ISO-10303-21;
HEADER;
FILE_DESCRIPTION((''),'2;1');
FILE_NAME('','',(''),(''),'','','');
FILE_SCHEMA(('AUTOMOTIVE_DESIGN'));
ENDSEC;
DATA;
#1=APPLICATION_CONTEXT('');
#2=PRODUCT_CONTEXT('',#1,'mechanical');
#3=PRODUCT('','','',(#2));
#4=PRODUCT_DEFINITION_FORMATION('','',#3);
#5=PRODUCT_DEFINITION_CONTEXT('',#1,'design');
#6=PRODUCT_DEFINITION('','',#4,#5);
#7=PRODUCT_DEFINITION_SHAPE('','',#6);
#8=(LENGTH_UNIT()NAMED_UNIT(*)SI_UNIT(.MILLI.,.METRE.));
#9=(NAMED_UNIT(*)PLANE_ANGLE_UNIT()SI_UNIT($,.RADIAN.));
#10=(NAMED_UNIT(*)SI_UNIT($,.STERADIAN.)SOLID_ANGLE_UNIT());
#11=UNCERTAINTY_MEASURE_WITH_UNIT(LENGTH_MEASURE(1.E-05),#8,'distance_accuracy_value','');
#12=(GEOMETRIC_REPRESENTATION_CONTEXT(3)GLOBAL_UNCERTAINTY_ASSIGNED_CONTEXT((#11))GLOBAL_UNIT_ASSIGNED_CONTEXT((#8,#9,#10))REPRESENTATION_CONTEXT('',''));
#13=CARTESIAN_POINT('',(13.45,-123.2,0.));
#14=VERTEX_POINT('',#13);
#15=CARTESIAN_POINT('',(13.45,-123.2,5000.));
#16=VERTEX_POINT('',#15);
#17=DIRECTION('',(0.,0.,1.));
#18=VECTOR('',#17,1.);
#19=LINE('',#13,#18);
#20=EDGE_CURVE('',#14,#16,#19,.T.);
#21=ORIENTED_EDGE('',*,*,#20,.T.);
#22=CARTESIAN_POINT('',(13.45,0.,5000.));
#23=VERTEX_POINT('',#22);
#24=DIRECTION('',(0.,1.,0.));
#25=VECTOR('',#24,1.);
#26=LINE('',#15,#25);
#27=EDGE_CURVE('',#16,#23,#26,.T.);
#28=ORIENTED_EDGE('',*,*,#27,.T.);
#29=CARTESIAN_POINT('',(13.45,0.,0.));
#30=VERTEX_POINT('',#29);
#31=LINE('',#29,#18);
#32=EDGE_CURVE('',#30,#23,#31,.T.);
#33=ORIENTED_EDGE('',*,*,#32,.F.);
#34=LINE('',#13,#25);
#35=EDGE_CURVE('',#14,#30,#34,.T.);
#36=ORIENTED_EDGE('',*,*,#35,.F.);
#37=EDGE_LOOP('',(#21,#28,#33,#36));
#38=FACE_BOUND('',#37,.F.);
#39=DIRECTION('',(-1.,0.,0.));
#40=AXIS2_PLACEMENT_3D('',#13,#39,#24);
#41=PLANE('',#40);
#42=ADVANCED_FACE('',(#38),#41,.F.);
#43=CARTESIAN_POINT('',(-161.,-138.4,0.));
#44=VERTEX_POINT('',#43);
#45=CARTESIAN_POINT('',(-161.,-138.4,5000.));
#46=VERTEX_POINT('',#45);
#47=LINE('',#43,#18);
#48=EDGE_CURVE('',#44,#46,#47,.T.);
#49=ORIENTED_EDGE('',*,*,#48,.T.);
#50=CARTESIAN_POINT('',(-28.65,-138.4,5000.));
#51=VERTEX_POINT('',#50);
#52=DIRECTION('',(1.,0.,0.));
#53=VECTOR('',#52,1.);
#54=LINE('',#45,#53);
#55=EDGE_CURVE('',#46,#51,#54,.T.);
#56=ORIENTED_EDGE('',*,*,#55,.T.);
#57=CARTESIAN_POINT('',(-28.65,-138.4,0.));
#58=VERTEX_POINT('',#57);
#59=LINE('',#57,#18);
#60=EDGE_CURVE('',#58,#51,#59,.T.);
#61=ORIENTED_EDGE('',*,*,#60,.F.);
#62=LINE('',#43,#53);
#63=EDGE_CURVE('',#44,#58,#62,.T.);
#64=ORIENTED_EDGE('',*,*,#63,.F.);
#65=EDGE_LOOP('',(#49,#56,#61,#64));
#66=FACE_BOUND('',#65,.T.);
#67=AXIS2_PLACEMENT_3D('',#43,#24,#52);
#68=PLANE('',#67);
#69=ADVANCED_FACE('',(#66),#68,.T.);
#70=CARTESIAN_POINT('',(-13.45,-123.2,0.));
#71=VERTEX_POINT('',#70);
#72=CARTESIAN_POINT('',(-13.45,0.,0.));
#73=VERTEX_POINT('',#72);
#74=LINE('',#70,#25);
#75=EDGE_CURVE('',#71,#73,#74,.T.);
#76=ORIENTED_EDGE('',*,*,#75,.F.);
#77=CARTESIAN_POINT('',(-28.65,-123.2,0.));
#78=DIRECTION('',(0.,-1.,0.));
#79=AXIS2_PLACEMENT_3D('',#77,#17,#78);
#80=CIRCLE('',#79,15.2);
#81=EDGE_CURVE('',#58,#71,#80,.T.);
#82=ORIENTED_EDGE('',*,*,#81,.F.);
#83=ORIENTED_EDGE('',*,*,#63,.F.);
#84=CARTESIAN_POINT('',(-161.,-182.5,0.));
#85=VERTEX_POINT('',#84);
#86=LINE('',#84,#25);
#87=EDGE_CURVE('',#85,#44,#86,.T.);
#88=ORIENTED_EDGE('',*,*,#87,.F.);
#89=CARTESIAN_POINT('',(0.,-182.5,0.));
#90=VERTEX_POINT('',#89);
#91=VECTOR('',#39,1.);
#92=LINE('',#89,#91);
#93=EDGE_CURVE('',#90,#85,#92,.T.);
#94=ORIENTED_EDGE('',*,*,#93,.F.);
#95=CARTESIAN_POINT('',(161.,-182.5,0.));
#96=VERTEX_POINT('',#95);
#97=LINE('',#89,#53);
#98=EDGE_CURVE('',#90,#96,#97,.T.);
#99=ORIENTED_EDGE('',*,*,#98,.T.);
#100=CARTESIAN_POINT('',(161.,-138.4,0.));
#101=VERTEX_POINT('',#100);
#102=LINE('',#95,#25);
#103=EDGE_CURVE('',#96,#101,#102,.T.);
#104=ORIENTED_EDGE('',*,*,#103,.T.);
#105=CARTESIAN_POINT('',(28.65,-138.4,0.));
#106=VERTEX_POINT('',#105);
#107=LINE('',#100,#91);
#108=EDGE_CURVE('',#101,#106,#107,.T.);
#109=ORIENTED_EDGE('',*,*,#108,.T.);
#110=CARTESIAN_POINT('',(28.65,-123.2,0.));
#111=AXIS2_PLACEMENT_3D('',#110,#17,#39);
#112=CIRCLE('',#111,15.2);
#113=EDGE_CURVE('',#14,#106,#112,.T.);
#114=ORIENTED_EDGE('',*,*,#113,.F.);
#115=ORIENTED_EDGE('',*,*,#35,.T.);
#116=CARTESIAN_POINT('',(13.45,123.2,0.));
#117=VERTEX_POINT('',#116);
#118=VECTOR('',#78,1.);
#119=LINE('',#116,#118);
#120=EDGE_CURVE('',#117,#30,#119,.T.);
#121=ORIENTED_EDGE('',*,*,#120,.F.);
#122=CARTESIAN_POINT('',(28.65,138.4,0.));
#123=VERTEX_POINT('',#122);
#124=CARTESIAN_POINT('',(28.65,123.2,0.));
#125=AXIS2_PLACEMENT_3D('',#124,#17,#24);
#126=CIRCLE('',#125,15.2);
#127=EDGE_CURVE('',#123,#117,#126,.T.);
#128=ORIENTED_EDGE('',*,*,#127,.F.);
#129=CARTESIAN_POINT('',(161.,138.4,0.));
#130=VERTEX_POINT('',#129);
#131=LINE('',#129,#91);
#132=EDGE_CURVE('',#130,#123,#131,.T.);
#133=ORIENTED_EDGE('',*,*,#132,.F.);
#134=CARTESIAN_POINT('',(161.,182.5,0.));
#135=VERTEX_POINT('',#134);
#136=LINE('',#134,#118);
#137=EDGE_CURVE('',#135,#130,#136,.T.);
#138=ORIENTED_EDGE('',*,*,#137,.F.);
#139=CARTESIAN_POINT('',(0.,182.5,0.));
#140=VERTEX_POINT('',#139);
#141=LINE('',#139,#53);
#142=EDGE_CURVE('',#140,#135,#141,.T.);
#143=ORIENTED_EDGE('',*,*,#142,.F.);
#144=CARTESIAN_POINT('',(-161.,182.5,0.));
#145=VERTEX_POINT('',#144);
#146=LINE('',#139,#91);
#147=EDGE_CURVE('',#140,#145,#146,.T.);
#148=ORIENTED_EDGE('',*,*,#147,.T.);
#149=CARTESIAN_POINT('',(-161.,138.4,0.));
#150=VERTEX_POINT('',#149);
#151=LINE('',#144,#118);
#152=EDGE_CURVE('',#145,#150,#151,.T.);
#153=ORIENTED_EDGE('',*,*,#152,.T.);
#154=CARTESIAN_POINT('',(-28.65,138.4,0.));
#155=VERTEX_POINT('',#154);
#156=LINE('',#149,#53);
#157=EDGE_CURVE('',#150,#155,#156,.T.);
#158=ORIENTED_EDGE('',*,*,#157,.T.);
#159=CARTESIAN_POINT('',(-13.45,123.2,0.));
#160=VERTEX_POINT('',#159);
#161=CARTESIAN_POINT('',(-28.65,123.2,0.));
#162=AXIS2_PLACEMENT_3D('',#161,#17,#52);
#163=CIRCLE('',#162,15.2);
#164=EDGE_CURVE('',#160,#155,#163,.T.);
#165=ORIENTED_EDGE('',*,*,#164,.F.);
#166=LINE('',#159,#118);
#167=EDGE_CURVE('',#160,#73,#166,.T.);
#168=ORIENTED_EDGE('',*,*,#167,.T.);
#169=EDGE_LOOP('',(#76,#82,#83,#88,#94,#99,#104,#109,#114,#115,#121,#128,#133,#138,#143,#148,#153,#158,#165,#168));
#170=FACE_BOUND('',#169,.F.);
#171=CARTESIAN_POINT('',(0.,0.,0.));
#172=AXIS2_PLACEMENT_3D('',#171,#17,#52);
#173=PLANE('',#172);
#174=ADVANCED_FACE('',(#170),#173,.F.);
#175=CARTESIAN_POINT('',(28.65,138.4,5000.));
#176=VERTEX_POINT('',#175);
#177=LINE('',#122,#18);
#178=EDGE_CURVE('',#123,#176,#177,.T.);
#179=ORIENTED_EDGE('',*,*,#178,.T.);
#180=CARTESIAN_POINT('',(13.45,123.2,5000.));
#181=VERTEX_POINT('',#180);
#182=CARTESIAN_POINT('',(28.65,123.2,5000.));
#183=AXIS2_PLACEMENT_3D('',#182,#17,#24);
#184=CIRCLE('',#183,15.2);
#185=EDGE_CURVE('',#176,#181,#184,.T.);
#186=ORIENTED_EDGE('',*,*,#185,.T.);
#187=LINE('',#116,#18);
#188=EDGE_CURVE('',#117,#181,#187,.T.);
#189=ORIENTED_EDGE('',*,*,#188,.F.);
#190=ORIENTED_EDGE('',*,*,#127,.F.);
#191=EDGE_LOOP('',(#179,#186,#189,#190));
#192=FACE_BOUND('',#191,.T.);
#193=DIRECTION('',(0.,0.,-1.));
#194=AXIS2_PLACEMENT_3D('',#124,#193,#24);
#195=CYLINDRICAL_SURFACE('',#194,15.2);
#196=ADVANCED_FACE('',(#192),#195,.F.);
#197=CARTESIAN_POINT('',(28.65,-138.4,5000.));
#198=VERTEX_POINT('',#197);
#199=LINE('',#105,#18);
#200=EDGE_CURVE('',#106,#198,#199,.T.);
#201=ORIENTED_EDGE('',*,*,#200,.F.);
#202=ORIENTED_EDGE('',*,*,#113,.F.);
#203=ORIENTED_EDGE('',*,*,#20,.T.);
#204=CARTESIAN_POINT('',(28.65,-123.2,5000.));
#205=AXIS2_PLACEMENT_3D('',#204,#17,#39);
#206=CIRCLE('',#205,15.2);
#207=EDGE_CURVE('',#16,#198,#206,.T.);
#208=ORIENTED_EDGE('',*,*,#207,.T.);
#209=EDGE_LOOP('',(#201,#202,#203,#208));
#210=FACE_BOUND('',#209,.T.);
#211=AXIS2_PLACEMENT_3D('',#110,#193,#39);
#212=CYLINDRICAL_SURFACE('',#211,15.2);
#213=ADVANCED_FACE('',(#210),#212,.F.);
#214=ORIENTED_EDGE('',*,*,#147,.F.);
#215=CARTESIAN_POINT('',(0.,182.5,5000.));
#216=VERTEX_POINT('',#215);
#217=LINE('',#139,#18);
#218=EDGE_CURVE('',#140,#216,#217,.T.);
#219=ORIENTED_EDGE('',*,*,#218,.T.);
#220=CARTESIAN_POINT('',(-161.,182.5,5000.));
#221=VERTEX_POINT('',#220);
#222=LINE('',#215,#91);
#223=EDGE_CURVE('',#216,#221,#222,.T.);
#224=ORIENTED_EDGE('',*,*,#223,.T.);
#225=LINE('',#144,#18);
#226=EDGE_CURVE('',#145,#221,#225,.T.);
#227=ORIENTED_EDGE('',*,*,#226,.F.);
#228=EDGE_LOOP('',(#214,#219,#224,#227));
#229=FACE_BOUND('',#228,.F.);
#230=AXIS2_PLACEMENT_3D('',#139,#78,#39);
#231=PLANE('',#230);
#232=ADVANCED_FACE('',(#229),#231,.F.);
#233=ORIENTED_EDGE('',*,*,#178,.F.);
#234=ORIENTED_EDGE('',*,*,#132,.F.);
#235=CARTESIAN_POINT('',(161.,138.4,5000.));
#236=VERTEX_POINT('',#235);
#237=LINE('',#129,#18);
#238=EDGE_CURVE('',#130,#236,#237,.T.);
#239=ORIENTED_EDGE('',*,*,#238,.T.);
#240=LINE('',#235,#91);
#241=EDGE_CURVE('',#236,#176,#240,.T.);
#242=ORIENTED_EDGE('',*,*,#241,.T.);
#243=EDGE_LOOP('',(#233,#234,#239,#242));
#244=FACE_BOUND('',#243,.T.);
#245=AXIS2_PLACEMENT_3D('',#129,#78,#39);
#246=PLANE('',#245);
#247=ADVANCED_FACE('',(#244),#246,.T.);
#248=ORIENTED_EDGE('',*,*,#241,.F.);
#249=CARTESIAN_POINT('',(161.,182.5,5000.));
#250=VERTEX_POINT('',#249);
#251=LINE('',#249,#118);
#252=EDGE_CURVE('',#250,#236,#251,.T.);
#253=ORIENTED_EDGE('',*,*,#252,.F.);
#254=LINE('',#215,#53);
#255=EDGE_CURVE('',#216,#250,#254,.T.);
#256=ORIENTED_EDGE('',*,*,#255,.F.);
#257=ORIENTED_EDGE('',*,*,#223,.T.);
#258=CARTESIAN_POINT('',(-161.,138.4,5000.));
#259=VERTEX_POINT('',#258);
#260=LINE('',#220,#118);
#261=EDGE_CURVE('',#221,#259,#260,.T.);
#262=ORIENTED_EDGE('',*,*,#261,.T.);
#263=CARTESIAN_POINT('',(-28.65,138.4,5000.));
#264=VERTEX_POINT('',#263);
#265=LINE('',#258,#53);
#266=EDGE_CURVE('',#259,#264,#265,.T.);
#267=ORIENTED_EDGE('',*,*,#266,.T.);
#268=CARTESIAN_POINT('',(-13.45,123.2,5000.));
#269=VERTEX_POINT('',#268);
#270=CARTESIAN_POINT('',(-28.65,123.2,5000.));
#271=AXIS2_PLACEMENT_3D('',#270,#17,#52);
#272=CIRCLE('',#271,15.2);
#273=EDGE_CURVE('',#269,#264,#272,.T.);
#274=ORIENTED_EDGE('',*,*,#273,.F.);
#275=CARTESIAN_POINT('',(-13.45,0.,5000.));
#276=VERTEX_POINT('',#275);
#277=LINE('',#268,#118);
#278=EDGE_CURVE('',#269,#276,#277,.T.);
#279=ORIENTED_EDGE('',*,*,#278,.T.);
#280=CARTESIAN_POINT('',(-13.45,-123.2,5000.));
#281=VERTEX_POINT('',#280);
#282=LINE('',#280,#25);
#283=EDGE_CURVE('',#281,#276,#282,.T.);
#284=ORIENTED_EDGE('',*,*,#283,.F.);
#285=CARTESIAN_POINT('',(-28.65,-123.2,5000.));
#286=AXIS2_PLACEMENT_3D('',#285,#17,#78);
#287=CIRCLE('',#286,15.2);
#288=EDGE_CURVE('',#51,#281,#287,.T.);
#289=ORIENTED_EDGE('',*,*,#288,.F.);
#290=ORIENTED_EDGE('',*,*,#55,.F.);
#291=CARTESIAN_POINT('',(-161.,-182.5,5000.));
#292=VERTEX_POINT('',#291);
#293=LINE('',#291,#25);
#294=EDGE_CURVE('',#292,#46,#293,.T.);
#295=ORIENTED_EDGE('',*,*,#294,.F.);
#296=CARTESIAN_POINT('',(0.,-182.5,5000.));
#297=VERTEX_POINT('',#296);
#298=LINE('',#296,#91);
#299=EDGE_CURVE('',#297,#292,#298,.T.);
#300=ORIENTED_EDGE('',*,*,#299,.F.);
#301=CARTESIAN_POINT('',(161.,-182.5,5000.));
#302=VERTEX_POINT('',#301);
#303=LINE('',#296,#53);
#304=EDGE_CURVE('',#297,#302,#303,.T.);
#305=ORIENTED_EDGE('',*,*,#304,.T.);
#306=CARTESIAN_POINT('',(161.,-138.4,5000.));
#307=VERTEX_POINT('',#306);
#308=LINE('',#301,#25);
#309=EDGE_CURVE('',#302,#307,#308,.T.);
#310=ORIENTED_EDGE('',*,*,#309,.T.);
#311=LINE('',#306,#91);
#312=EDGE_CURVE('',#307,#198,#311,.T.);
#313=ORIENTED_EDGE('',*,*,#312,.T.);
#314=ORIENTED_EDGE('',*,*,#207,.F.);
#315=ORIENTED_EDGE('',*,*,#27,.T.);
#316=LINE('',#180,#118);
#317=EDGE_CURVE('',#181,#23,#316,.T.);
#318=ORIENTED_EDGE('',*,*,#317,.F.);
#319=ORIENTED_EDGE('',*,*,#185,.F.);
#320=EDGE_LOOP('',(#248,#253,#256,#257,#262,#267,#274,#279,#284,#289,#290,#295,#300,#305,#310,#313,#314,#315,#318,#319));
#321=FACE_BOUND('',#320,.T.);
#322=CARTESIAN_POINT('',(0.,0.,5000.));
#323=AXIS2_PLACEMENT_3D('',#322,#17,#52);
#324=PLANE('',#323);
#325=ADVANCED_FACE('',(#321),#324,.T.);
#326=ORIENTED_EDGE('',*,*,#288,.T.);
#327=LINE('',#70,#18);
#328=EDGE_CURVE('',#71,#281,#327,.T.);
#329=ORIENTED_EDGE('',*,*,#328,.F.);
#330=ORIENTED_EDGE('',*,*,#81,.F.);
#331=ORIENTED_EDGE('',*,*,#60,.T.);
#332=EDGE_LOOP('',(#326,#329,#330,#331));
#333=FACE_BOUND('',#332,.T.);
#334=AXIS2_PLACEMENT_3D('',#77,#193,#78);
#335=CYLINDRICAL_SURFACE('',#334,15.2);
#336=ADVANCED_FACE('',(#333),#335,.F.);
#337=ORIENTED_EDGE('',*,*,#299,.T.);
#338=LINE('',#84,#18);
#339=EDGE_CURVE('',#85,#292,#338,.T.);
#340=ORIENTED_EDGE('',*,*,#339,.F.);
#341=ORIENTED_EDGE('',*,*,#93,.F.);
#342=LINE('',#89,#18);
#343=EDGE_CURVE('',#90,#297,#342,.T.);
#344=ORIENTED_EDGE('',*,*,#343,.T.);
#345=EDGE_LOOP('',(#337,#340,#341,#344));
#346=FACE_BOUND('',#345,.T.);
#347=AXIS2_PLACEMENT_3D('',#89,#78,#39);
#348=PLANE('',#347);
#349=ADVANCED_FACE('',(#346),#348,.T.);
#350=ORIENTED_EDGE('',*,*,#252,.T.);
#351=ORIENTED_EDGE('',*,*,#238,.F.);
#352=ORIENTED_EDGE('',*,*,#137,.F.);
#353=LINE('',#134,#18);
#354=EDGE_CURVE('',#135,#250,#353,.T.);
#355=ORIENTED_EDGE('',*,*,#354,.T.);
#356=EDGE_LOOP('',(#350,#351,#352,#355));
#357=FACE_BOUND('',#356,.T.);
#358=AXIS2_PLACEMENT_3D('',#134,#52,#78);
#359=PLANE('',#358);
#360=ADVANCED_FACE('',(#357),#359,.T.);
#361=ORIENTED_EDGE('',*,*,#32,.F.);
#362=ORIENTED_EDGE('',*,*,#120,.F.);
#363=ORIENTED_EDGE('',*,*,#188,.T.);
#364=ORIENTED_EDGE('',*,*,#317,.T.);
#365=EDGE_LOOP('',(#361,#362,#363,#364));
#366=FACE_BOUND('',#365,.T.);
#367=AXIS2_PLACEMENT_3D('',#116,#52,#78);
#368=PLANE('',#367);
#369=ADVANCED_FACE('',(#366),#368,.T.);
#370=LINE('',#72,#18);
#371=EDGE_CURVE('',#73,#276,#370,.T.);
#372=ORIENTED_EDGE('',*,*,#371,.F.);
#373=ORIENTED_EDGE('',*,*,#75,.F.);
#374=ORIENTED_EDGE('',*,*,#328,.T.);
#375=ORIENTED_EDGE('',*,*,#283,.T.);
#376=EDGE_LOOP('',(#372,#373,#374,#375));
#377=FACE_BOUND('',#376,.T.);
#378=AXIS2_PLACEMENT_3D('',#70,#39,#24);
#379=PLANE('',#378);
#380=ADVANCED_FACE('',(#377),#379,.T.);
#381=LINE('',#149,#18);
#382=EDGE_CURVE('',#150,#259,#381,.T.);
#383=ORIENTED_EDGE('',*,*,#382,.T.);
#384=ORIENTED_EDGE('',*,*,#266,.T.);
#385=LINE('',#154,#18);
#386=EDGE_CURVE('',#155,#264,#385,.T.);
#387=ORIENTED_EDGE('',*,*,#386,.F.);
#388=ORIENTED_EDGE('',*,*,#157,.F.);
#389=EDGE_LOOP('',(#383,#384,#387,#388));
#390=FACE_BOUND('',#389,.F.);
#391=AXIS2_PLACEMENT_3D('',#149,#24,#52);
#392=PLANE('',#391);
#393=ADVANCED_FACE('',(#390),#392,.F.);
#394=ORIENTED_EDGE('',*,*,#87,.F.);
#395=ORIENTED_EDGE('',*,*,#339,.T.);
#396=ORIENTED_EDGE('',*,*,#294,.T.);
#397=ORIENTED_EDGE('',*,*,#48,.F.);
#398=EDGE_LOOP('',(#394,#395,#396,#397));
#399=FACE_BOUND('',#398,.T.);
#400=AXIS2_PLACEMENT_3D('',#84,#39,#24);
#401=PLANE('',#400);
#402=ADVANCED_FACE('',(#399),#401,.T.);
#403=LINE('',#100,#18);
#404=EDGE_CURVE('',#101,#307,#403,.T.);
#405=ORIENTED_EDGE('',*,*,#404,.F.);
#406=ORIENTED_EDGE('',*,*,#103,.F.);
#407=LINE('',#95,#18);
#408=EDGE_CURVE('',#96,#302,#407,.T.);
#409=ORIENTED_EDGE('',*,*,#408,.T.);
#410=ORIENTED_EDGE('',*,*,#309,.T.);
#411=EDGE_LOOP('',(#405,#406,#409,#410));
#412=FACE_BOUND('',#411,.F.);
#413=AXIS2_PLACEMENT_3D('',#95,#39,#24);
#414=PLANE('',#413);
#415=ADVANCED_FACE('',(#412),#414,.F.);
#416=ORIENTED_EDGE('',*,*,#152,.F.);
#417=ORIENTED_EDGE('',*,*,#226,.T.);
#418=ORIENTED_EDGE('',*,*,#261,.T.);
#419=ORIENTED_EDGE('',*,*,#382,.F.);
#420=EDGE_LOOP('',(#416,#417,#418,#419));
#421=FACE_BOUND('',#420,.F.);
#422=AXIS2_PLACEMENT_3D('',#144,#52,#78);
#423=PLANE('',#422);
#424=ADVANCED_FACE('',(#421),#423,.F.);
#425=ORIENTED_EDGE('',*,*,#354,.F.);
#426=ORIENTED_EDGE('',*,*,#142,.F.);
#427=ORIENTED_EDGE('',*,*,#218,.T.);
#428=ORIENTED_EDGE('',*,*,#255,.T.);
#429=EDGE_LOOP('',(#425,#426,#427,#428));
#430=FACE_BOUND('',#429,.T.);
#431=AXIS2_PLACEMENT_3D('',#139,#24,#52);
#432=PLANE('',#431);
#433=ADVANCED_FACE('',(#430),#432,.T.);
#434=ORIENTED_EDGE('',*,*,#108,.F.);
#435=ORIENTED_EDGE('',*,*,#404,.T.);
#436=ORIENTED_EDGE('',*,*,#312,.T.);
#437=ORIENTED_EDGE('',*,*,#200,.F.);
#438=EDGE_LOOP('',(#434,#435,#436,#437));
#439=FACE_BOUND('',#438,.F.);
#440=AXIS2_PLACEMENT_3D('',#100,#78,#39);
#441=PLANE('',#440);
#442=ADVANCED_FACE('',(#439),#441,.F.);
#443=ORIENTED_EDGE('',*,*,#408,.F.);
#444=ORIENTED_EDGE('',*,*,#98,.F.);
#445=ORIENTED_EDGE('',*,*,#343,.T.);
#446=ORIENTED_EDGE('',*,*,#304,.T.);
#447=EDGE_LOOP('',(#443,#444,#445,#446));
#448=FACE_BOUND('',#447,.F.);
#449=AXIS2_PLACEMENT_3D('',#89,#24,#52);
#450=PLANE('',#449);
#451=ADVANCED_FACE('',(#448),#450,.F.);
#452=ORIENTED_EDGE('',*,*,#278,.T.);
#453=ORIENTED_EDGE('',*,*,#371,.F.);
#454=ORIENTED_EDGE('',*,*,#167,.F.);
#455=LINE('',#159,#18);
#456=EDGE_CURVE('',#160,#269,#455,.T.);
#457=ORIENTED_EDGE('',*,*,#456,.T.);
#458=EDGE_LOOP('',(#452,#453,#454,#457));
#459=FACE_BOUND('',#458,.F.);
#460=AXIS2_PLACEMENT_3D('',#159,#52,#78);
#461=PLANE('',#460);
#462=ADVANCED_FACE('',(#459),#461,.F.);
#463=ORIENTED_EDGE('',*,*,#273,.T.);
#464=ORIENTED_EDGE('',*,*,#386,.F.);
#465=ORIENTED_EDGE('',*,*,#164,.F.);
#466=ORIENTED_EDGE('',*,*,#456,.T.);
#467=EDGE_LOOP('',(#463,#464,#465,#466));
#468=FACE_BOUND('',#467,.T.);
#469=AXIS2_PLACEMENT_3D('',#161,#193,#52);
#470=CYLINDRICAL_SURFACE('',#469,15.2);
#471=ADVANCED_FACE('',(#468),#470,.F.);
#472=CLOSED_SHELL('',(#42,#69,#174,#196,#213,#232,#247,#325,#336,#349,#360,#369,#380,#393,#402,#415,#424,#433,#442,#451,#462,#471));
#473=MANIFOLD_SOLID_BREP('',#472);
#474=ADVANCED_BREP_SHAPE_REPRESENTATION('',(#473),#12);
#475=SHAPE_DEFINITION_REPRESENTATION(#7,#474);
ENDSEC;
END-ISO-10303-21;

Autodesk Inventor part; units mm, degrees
ref_plane "YZ Plane" through (0, 0, 0) normal (1, 0, 0) x (0, 1, 0)
ref_plane "Start plane" through (0, 0, 0) normal (0, 0, 1) x (1, 0, 0)
ref_plane "End plane" through (0, 0, 5000) normal (0, 0, 1) x (1, 0, 0)
sketch "Sketch" plane through (0, 0, 0) normal (0, 0, 1) x (1, 0, 0)
  line L0 (-161, -182.5) -> (-161, -138.4)
  line L1 (-161, -138.4) -> (-28.65, -138.4)
  line L2 (-13.45, -123.2) -> (-13.45, 0)
  line L3 (-13.45, 0) -> (0, 0) construction
  line L4 (0, 0) -> (0, -182.5) construction
  line L5 (0, -182.5) -> (-161, -182.5)
  line L6 (-60, 0) -> (80, 0) construction
  line L7 (0, -60) -> (0, 80) construction
  line L8 (161, -182.5) -> (161, -138.4)
  line L9 (161, -138.4) -> (28.65, -138.4)
  line L10 (13.45, -123.2) -> (13.45, 0)
  line L11 (13.45, 0) -> (0, 0) construction
  line L12 (0, -182.5) -> (161, -182.5)
  line L13 (-161, 182.5) -> (-161, 138.4)
  line L14 (-161, 138.4) -> (-28.65, 138.4)
  line L15 (-13.45, 123.2) -> (-13.45, 0)
  line L16 (0, 182.5) -> (-161, 182.5)
  line L17 (161, 182.5) -> (161, 138.4)
  line L18 (161, 138.4) -> (28.65, 138.4)
  line L19 (0, 182.5) -> (161, 182.5)
  line L20 (13.45, 123.2) -> (13.45, 0)
  arc A0 (-13.45, 123.2) -> (-28.65, 138.4) centre (-28.65, 123.2) ccw
  arc A1 (28.65, 138.4) -> (13.45, 123.2) centre (28.65, 123.2) ccw
  arc A2 (13.45, -123.2) -> (28.65, -138.4) centre (28.65, -123.2) ccw
  arc A3 (-28.65, -138.4) -> (-13.45, -123.2) centre (-28.65, -123.2) ccw
  line L21 (0, 108) -> (0, -88) construction
  line L22 (-88, 0) -> (108, 0) construction
  point P0 (-13.45, -138.4)
  point P1 (13.45, -138.4)
  point P2 (-13.45, 138.4)
  point P3 (13.45, 138.4)
  dimension "d1" = 182.5
  dimension "d2" = 44.1
  dimension "d3" = 161
  dimension "d4" = 13.45
  dimension "d10" = 15.2
extrude "Body" add sketch "Sketch" along normal up to surface (5000 mm away) from surface at 0
sketch "Sketch4" plane through (0, 0, 0) normal (0, 0, 1) x (1, 0, 0)
  line L0 (0, 0) -> (10, 0)
ref_plane "Work Plane3" through (0, 0, 0) normal (0, -1, 0) x (1, 0, 0)
sketch "Sketch5" plane through (0, 0, 0) normal (0, -1, 0) x (1, 0, 0)
  line L0 (-2, 0) -> (12, 0) projected
  line L1 (-2, 5000) -> (12, 5000) projected
  dimension "d14" = 5000
equation "\"d1\" = 0.5 * G_H"
equation "\"d2\" = G_T1"
equation "\"d3\" = 0.5 * G_W"
equation "\"d4\" = 0.5 * G_T"
equation "\"d10\" = G_IR"
equation "\"d5\" = G_L"
equation "\"G_W\" = 322"
equation "\"G_H\" = 365"
equation "\"G_T\" = 26.9"
equation "\"G_T1\" = 44.1"
equation "\"G_IR\" = 15.2"
equation "\"G_L\" = d14"
equation "\"G_OFFSET_START\" = 0"
equation "\"G_OFFSET_END\" = 0"
properties part number "AS 3679 - 310 UC - 283 - 5000" material "Steel, Mild"
